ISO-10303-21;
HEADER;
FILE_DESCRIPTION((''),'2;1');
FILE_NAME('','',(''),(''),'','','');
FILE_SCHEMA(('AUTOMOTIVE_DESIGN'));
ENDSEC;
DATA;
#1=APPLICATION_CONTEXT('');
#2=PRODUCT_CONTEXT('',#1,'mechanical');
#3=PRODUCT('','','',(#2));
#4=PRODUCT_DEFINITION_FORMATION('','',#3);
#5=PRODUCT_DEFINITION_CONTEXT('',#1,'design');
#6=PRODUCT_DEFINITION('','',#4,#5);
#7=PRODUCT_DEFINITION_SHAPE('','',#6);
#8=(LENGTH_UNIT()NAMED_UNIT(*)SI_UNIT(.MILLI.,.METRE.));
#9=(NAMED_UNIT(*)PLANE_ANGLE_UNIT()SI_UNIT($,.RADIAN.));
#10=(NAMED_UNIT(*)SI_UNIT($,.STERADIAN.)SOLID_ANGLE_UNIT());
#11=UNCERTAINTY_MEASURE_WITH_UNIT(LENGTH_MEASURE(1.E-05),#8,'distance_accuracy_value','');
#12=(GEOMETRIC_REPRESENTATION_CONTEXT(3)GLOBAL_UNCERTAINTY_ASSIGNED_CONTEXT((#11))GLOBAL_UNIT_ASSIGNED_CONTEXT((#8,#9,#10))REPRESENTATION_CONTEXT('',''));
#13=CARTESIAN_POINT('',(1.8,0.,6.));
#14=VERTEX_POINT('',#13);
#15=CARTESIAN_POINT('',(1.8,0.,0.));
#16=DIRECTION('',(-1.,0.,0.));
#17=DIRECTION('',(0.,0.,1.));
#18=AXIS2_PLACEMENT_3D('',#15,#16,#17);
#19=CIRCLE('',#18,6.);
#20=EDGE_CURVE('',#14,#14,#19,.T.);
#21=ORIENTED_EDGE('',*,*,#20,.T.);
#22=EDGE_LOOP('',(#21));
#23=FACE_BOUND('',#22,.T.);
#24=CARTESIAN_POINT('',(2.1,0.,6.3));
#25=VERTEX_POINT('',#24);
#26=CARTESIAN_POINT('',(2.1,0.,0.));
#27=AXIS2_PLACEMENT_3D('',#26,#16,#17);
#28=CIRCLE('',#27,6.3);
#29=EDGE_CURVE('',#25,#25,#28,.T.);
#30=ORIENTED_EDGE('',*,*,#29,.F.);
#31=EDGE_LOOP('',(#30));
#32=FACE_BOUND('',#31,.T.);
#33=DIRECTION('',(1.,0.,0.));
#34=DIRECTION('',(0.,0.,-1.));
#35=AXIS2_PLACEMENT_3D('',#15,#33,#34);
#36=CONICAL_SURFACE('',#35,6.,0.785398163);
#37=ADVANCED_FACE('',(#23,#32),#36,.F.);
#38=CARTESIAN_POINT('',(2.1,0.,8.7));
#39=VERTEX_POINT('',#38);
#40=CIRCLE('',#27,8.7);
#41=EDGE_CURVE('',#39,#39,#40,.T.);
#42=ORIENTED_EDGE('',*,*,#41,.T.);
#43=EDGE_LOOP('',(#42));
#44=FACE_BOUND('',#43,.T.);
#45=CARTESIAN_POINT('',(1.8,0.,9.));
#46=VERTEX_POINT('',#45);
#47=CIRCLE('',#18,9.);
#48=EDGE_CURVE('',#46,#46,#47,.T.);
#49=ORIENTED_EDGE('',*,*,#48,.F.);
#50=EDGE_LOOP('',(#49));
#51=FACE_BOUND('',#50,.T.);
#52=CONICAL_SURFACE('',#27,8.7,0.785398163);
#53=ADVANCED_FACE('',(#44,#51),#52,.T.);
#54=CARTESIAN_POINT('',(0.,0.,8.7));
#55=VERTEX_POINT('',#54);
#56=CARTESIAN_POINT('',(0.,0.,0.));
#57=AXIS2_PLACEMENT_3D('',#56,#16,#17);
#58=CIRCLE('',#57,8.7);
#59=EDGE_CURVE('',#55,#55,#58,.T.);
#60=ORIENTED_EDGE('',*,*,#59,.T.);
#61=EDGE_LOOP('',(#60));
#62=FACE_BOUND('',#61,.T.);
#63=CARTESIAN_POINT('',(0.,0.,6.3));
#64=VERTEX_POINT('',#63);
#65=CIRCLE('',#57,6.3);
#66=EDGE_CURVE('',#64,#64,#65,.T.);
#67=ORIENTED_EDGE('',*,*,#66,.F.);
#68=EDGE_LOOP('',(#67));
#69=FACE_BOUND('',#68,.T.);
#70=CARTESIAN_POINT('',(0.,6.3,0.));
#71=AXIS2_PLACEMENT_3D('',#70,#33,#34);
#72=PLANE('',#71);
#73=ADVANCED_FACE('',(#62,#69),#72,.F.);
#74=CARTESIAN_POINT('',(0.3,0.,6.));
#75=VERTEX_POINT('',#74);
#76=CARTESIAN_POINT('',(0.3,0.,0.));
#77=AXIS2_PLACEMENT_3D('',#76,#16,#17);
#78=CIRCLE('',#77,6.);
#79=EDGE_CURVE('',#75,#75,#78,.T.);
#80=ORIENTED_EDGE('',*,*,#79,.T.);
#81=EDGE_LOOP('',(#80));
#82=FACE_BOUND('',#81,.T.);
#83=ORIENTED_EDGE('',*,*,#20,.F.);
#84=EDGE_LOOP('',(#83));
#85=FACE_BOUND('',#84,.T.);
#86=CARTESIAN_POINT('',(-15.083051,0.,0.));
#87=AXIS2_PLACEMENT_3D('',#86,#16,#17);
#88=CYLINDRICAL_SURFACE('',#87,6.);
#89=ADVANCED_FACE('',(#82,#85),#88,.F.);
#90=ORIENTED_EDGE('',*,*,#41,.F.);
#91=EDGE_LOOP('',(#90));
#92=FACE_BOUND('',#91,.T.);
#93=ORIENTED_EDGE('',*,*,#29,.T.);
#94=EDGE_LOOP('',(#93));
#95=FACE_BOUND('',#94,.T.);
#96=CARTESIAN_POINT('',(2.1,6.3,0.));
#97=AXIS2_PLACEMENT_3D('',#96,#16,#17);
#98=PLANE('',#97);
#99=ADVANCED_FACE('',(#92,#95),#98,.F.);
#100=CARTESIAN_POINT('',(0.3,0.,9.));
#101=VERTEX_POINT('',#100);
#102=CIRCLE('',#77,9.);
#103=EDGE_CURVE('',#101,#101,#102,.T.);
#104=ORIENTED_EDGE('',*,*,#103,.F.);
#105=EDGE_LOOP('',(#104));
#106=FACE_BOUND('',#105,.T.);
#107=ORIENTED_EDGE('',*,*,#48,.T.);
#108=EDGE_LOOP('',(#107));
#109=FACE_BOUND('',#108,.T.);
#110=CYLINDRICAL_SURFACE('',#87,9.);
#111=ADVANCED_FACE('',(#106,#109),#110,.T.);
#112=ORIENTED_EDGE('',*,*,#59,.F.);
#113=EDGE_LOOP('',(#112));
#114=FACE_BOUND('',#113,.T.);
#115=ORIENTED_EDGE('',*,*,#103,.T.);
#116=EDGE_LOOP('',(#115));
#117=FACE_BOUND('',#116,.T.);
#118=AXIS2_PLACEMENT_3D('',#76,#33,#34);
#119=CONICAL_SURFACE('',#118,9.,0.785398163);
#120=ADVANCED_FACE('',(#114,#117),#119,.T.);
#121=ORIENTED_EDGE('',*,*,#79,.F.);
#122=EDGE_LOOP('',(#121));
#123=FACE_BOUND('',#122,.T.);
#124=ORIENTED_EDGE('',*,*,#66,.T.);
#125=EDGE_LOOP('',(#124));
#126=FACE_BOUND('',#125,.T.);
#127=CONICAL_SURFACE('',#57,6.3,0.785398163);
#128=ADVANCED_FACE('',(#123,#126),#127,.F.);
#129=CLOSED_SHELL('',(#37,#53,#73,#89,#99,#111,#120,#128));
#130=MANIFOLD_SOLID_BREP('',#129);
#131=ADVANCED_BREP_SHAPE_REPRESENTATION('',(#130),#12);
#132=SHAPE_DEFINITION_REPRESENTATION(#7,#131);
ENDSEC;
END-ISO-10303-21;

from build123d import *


with BuildPart() as part:
    # Esquisse1 → Révolution1 (revolve)
    with BuildSketch(Plane.XY, mode=Mode.PRIVATE) as r_volution1_sk:
        Polygon((0, 8.7), (0.3, 9), (1.8, 9), (2.1, 8.7), (2.1, 6.3), (1.8, 6), (0.3, 6), (0, 6.3), align=None)
    revolve(r_volution1_sk.sketch.rotate(Axis((-15.083050847, 0, 0), (1, 0, 0)), 90), axis=Axis((-15.083050847, 0, 0), (1, 0, 0)))


solid = part.part
